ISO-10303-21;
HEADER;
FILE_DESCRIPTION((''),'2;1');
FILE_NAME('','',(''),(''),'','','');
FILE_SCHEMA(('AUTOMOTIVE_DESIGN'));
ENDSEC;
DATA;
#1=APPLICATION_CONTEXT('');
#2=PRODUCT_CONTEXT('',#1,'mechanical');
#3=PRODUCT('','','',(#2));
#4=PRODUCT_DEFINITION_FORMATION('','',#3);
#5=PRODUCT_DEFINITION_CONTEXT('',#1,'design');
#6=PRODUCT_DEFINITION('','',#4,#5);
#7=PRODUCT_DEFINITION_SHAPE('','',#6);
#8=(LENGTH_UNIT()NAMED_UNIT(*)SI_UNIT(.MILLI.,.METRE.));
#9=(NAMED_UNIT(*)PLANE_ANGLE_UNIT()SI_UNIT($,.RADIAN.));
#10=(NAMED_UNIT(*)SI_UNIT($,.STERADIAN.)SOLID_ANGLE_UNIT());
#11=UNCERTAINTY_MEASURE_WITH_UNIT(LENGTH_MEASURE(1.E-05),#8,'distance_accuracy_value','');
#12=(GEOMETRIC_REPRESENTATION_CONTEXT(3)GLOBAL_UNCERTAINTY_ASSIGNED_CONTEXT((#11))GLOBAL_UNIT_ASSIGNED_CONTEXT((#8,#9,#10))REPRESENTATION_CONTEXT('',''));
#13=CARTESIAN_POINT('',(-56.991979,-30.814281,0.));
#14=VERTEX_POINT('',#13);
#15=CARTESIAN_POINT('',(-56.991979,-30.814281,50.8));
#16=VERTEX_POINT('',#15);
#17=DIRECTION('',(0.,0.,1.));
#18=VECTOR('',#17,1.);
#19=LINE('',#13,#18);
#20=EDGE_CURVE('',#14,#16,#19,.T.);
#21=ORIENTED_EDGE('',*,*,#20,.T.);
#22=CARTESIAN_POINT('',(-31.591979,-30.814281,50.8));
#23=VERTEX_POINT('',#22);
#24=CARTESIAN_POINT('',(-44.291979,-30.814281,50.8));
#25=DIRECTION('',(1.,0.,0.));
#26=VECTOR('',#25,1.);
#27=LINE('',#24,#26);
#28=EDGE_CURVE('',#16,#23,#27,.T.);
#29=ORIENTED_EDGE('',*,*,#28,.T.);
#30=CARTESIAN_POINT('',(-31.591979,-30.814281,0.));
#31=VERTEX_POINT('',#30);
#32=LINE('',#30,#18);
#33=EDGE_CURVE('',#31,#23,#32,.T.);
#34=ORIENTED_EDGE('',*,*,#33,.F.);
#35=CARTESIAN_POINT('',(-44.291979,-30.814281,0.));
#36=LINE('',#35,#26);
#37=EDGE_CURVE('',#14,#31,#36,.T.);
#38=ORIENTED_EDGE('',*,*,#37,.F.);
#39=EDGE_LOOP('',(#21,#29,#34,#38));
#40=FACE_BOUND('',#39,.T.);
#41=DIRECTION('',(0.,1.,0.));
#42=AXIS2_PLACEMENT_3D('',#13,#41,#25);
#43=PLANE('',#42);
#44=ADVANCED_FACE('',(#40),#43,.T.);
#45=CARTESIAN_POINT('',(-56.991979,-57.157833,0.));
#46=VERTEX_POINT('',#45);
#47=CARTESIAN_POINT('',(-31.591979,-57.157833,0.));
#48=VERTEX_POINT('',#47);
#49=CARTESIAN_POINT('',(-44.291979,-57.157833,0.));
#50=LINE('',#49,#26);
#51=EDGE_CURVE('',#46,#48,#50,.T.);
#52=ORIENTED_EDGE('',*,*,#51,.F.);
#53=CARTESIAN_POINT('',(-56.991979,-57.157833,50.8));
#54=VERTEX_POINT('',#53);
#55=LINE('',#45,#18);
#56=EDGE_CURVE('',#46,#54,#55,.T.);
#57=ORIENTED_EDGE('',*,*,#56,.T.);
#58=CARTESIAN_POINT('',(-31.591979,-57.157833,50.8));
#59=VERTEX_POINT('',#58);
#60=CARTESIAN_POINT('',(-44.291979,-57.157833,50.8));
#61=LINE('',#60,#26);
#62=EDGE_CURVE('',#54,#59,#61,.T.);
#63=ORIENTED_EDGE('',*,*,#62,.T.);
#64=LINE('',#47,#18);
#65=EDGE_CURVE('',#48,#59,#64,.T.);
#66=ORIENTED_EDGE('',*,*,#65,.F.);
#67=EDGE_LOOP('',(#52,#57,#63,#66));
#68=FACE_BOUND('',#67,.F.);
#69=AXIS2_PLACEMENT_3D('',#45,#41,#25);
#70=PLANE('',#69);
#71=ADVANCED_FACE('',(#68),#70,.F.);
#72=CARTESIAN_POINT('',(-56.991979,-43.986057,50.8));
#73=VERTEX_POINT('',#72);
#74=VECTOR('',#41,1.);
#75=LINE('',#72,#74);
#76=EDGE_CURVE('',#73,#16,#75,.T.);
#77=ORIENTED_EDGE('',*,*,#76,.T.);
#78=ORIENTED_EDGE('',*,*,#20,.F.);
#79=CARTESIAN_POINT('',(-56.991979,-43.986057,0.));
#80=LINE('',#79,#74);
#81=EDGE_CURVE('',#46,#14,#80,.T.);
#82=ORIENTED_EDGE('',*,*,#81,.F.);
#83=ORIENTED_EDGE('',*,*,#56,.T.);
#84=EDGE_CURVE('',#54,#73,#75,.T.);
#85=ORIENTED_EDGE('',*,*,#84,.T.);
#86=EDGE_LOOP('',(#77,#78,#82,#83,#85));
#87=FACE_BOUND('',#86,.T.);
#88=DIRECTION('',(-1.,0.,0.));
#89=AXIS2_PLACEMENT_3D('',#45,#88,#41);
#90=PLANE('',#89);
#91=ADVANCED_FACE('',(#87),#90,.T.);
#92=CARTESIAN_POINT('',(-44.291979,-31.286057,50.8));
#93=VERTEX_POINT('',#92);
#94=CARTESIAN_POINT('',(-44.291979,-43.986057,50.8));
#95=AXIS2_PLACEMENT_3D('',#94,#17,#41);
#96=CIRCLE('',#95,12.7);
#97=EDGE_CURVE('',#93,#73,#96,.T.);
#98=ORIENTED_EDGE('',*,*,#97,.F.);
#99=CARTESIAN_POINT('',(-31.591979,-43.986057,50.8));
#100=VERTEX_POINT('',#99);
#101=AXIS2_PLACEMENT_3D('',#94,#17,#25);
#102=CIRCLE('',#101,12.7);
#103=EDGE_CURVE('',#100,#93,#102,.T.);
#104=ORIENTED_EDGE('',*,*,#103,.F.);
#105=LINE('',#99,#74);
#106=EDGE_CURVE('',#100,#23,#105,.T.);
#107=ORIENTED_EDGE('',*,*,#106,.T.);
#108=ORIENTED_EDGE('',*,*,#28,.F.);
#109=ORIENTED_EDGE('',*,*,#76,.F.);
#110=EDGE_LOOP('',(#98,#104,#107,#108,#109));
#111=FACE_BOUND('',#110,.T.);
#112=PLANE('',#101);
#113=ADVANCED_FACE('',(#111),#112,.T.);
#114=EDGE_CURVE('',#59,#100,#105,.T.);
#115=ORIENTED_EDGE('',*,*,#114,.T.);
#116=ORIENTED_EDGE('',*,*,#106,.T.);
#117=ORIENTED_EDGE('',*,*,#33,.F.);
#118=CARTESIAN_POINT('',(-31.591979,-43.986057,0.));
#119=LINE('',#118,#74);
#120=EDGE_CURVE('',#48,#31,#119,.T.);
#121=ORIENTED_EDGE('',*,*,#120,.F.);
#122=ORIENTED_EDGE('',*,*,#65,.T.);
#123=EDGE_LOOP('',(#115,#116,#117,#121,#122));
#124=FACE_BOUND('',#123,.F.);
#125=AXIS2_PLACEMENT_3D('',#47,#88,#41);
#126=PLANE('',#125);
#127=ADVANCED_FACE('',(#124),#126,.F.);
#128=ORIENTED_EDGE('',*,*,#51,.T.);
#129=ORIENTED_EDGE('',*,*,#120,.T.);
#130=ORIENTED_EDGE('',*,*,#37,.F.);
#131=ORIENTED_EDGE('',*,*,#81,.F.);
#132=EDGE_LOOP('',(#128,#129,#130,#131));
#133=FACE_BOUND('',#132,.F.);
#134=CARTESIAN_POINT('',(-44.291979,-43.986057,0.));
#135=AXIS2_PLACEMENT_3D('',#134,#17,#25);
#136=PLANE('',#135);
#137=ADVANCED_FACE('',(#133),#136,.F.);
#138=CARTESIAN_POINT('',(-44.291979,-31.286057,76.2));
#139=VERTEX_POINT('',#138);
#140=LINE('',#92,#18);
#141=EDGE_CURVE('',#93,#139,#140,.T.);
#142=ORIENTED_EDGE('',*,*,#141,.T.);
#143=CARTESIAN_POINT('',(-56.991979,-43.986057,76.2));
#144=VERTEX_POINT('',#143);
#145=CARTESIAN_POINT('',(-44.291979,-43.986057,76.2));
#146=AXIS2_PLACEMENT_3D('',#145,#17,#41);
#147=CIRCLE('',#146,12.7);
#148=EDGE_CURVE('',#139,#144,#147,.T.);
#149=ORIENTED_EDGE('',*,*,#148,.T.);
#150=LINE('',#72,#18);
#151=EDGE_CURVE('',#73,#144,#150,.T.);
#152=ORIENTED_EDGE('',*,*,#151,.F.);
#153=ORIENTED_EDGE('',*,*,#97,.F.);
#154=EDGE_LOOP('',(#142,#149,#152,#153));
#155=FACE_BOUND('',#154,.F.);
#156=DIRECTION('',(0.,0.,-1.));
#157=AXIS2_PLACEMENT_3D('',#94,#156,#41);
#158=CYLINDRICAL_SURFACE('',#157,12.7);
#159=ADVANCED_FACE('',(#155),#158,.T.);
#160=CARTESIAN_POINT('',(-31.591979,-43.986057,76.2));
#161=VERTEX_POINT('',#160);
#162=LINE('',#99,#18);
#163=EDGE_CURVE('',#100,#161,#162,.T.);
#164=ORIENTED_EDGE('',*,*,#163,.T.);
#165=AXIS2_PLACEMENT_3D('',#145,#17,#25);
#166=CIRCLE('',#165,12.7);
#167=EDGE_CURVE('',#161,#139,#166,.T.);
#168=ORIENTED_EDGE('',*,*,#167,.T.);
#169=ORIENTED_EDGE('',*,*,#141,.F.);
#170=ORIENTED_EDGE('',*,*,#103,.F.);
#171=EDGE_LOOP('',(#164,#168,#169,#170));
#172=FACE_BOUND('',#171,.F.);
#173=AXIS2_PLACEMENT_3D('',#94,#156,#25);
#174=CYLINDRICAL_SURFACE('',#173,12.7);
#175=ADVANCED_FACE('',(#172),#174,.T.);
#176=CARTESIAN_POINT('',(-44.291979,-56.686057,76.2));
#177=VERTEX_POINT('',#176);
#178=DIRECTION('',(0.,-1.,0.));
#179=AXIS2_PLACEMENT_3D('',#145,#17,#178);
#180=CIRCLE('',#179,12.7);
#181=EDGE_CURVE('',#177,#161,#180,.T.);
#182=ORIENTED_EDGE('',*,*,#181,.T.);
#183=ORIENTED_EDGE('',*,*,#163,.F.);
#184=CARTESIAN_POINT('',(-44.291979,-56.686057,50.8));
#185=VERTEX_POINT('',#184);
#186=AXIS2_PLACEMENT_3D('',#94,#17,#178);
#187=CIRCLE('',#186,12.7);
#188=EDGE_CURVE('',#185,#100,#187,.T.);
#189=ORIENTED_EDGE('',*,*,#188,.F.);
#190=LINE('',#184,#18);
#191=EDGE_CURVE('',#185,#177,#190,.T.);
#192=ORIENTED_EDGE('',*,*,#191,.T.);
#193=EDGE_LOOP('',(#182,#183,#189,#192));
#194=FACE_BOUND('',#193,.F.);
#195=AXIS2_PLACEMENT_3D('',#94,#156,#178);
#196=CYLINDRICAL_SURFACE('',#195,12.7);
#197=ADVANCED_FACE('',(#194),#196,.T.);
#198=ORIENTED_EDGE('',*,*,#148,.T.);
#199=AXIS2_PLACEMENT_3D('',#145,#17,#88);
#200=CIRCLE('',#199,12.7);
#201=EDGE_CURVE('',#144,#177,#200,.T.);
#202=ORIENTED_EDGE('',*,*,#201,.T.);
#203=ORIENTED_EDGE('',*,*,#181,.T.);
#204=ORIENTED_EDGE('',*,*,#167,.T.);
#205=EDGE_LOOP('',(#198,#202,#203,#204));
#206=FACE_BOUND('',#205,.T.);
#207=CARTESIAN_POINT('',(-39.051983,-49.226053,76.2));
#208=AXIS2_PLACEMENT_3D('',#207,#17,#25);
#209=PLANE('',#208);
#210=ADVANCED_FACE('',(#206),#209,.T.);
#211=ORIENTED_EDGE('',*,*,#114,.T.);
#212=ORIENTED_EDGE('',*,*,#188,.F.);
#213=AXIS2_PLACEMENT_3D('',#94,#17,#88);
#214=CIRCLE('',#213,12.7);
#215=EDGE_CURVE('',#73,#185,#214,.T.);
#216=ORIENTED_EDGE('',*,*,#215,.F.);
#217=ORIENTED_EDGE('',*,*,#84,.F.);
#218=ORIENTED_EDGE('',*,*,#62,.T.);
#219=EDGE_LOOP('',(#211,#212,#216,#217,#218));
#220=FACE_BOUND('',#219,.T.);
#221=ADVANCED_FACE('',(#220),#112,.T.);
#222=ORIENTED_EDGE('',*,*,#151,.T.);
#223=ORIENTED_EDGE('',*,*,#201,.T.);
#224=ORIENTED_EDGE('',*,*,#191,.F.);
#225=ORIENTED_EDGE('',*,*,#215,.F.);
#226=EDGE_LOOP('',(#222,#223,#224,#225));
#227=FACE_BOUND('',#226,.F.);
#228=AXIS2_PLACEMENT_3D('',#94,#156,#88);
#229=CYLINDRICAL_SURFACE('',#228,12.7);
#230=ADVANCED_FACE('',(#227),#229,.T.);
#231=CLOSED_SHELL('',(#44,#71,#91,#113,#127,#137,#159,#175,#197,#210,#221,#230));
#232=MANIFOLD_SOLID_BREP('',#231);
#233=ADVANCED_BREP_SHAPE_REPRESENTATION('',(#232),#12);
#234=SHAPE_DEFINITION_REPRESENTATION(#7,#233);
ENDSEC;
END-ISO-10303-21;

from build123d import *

# Parameters (mm, degrees)
F0_W     = 25.4
F0_H     = 26.3435523957
F1_DEPTH = 50.8
F3_DEPTH = 25.4


with BuildPart() as f1:
    # F0 (on Top) → F1 (new body)
    with BuildSketch(Plane.XY):
        with Locations((-44.2919794798, -43.9860569313)):
            Rectangle(F0_W, F0_H)
    extrude(amount=F1_DEPTH)

    # F2 (on face) → F3 (join)
    with BuildSketch(Plane.XY.offset(50.8)):
        with BuildLine():
            Line((-31.5919794798, -43.9860569313), (-44.2919794798, -43.9860569313))
            Line((-44.2919794798, -43.9860569313), (-44.2919794798, -56.6860569313))
            ThreePointArc((-44.2919794798, -56.6860569313), (-35.3117233587, -52.9663130524), (-31.5919794798, -43.9860569313))
        make_face()
        with BuildLine():
            ThreePointArc((-31.5919794798, -43.9860569313), (-35.3117233587, -35.0058008102), (-44.2919794798, -31.2860569313))
            Line((-44.2919794798, -31.2860569313), (-44.2919794798, -43.9860569313))
            Line((-44.2919794798, -43.9860569313), (-31.5919794798, -43.9860569313))
        make_face()
        with BuildLine():
            Line((-44.2919794798, -43.9860569313), (-44.2919794798, -31.2860569313))
            ThreePointArc((-44.2919794798, -31.2860569313), (-53.2722356009, -35.0058008102), (-56.9919794798, -43.9860569313))
            Line((-56.9919794798, -43.9860569313), (-44.2919794798, -43.9860569313))
        make_face()
        with BuildLine():
            Line((-44.2919794798, -56.6860569313), (-44.2919794798, -43.9860569313))
            Line((-44.2919794798, -43.9860569313), (-56.9919794798, -43.9860569313))
            ThreePointArc((-56.9919794798, -43.9860569313), (-53.2722356009, -52.9663130524), (-44.2919794798, -56.6860569313))
        make_face()
    extrude(amount=F3_DEPTH)


solid = f1.part
